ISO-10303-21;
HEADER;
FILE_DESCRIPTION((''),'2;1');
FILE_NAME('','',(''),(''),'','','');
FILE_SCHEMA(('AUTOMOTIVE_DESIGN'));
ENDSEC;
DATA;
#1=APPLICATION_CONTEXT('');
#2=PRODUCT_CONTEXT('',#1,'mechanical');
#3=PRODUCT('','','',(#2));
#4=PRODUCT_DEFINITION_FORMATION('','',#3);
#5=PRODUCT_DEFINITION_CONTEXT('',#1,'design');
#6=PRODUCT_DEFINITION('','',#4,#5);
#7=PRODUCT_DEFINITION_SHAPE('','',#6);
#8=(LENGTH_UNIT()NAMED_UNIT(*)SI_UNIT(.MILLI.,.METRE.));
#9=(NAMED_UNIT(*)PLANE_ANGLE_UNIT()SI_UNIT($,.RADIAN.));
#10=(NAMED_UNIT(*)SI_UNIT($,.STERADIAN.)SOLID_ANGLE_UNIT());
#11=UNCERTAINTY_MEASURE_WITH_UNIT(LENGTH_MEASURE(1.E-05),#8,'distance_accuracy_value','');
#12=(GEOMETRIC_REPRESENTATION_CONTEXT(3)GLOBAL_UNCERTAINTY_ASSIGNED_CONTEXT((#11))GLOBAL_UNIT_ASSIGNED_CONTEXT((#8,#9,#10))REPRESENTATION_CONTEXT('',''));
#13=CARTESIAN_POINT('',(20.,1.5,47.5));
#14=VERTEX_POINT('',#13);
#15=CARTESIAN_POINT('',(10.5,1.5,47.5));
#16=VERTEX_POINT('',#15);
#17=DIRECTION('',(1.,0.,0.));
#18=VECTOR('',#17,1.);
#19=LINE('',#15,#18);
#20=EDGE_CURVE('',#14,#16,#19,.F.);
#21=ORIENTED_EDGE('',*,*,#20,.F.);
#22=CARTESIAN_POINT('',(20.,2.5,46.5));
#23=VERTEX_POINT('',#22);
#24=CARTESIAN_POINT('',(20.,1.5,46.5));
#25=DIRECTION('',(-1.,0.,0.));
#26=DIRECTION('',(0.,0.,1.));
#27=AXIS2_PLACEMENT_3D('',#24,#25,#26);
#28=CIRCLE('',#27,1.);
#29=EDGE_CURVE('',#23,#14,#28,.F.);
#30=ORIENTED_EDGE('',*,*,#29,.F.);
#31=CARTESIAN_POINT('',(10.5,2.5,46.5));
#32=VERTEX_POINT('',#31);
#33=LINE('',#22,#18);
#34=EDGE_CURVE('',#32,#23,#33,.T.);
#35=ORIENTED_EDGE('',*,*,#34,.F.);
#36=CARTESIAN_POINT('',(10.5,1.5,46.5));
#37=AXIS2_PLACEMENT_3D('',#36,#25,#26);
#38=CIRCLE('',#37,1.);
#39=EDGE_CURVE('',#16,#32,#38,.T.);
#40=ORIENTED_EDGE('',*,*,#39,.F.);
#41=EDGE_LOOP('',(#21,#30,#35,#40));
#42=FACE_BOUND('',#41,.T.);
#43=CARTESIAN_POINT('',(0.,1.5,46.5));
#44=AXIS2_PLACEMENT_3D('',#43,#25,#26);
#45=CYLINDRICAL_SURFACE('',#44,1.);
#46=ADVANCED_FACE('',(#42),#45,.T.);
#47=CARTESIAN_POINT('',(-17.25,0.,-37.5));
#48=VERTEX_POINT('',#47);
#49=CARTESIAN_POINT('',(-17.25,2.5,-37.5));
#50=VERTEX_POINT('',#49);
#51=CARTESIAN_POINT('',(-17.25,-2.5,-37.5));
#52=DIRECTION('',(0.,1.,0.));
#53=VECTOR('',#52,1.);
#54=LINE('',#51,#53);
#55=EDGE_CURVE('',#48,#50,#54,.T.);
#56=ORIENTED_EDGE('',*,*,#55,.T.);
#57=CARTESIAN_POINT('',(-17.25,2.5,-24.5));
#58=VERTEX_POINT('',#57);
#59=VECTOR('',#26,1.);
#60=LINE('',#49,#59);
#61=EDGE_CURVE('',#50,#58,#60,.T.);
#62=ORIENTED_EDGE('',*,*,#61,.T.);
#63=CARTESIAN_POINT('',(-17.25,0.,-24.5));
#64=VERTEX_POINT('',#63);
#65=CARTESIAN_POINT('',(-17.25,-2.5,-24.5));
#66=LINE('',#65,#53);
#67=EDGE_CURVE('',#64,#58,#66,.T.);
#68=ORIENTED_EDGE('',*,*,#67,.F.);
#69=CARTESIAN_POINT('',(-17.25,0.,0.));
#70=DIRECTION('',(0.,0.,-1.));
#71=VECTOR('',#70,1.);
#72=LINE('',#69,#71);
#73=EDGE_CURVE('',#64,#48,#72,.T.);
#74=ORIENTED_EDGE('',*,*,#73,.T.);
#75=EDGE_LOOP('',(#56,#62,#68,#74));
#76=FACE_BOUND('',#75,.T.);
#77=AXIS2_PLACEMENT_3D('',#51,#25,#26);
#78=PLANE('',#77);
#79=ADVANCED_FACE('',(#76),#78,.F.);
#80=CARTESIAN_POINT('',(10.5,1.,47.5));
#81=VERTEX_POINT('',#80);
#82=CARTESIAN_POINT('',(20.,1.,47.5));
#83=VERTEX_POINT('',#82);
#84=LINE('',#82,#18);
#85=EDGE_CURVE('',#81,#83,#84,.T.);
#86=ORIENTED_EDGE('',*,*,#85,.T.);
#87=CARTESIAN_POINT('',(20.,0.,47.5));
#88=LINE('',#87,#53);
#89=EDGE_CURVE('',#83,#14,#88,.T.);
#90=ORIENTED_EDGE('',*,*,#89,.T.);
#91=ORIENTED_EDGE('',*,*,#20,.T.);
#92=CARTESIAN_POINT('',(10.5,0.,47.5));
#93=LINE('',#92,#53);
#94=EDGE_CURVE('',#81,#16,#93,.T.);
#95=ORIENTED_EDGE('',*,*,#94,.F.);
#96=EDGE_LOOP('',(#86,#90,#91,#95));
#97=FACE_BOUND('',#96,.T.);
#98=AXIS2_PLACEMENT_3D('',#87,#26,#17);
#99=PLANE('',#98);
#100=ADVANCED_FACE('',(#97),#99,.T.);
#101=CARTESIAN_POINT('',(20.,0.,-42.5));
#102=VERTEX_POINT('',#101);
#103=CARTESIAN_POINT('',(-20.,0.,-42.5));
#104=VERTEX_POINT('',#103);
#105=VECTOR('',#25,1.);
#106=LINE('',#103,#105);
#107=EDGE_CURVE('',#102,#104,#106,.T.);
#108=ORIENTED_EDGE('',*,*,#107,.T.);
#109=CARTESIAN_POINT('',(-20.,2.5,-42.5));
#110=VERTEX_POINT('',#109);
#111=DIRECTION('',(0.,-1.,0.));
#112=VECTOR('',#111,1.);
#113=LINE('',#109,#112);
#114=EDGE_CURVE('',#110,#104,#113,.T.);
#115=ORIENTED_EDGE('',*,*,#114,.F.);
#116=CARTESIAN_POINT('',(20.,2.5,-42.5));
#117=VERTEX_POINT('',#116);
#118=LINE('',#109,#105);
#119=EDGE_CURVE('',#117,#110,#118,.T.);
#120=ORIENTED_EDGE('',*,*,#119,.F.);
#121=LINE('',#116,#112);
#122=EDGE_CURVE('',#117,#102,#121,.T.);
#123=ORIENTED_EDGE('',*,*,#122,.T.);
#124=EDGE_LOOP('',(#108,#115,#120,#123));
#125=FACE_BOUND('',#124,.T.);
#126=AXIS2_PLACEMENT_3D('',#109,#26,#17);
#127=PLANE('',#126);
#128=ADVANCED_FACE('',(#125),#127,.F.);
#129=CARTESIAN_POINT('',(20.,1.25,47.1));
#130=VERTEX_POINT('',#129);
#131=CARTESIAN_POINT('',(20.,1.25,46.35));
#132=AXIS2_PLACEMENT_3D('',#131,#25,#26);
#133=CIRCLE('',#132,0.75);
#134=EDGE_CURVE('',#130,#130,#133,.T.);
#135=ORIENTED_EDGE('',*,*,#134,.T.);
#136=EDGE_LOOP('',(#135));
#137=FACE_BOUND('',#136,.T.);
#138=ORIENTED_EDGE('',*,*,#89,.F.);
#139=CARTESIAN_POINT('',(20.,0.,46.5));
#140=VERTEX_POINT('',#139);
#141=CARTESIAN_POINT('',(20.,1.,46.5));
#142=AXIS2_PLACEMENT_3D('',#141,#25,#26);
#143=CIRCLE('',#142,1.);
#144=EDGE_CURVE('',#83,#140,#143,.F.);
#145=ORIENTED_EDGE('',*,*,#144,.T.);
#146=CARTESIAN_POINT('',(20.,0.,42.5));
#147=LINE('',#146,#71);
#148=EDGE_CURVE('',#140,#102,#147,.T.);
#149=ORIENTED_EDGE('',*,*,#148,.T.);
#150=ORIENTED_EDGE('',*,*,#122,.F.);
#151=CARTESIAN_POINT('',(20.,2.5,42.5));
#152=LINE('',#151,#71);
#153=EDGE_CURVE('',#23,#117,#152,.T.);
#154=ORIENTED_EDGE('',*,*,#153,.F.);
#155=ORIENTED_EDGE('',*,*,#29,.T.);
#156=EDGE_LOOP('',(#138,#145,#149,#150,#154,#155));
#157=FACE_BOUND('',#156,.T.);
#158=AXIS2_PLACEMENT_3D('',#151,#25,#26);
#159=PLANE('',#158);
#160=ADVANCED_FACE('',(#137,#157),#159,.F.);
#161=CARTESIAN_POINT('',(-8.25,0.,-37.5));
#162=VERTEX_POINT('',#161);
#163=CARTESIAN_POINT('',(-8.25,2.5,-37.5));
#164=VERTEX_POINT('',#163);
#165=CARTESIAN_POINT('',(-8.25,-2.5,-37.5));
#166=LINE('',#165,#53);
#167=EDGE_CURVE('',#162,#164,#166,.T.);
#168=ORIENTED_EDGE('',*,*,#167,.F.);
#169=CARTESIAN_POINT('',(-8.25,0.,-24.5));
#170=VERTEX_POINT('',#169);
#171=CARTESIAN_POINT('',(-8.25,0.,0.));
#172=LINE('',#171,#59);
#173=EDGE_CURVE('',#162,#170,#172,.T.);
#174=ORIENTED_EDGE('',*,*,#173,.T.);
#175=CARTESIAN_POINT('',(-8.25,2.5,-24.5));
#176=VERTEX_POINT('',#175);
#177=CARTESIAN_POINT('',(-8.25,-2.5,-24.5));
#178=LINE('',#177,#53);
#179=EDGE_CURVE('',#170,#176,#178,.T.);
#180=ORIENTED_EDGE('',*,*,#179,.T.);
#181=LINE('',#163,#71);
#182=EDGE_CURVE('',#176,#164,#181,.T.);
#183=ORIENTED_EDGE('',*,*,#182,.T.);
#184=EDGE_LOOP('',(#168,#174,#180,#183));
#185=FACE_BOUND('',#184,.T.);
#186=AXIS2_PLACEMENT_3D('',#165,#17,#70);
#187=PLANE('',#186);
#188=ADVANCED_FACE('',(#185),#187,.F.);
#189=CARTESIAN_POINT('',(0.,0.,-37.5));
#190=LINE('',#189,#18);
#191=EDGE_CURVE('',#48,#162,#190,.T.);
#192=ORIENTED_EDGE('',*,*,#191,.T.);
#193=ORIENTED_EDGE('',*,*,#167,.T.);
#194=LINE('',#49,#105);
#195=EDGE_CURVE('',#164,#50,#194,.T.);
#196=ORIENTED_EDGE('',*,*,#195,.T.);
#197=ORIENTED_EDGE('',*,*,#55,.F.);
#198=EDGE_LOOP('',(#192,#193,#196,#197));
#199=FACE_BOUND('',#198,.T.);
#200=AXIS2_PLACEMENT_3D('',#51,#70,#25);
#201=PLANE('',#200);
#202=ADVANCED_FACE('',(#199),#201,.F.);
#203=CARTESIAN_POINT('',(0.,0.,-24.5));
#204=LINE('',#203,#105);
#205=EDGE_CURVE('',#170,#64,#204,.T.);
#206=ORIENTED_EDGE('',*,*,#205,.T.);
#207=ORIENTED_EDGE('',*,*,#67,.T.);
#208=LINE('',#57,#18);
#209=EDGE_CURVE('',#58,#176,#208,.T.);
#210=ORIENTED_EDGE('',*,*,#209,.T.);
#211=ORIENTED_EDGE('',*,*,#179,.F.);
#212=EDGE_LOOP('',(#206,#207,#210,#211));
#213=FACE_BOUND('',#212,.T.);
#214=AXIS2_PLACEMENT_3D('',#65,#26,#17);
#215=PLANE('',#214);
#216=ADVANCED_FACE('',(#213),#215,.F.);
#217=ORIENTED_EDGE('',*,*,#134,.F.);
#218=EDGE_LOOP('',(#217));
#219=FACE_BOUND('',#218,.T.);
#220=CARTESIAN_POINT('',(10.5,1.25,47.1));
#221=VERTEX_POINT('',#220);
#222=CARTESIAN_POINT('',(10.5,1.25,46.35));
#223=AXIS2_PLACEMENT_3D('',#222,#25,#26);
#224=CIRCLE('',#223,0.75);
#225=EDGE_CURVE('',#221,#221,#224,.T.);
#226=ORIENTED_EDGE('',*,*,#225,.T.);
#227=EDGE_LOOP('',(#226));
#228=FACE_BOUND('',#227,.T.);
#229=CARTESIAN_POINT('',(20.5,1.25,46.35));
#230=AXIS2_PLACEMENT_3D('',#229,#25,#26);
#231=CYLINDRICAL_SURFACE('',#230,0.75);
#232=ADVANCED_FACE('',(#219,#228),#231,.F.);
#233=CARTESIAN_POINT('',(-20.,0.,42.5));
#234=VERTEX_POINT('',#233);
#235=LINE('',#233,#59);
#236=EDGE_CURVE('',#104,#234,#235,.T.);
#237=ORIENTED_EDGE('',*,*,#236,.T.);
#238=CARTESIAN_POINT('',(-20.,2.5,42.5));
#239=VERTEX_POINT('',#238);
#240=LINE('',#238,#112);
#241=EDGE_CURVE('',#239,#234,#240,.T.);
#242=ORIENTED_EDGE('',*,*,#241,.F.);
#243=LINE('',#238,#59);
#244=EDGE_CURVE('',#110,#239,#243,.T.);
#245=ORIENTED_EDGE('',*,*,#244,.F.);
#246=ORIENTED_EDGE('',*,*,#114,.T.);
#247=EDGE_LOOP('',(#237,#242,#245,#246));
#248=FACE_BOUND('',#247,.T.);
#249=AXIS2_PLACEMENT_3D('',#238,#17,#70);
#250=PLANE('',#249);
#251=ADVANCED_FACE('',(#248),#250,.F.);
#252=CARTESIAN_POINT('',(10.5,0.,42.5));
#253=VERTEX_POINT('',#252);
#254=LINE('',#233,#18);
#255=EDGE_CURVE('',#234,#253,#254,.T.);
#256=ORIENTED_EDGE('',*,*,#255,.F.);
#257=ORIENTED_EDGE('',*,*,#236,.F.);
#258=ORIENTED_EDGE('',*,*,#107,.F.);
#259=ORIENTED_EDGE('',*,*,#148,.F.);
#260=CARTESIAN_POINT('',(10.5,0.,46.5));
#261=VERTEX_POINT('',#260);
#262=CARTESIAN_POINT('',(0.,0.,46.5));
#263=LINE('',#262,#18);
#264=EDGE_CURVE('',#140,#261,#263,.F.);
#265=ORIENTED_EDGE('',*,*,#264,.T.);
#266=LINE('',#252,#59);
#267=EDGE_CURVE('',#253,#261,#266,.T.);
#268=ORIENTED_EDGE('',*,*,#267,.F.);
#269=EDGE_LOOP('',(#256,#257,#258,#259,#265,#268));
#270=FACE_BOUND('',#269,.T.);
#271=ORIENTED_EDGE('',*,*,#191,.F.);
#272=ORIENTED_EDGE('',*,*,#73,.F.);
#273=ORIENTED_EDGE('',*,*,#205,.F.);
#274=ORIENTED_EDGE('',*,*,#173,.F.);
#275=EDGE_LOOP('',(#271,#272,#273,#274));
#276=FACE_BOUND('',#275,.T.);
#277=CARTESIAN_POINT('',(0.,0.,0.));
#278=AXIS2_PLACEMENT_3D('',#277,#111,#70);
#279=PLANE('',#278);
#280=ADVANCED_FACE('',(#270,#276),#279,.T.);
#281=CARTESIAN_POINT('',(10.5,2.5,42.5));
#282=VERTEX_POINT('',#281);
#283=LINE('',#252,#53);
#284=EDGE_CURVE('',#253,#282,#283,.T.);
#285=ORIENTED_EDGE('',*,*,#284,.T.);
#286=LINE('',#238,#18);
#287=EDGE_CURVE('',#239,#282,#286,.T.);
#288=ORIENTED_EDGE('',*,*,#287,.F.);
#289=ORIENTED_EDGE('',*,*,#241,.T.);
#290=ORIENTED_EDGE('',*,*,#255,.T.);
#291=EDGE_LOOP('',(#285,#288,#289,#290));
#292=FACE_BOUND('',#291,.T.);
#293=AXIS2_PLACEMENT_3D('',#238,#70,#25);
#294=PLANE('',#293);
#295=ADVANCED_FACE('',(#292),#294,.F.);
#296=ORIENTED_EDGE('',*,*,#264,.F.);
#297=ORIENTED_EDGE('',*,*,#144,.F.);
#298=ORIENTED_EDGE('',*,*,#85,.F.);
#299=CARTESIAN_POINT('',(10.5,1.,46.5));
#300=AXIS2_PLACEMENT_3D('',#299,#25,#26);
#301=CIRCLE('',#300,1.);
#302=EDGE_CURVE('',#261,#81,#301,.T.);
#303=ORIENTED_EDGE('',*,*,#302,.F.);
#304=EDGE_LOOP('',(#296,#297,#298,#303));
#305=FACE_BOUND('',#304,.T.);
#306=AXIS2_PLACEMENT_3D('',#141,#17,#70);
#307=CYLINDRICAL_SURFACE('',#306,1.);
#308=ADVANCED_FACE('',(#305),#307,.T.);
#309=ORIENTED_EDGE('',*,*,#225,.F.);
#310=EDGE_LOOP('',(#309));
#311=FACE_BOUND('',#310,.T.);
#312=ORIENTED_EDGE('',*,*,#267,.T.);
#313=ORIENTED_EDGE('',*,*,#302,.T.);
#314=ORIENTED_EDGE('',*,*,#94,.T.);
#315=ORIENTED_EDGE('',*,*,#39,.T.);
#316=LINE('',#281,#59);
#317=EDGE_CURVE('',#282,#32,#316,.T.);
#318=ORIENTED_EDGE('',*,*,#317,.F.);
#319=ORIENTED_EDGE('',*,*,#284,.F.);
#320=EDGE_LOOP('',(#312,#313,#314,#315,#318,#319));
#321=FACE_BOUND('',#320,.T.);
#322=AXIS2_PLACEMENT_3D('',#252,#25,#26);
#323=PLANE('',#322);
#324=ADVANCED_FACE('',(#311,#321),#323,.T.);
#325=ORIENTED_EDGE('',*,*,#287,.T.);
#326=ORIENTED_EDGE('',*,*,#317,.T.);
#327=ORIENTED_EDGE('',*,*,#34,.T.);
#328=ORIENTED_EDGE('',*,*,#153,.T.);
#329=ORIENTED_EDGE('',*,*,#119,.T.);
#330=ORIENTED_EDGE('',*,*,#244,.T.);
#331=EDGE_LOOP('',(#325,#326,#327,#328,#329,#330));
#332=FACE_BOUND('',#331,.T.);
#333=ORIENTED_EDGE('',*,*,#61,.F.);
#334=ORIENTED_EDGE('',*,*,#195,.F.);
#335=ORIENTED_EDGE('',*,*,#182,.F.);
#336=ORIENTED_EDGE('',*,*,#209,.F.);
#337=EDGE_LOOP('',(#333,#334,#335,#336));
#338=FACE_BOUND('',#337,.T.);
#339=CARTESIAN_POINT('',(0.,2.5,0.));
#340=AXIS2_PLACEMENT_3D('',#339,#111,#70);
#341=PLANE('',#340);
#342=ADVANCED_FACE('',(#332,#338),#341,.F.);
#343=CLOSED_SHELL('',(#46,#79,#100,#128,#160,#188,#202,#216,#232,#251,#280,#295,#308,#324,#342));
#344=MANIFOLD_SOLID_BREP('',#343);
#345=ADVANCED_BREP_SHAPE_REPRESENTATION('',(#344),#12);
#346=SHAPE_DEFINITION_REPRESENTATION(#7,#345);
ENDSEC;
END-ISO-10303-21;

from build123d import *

# Parameters (mm, degrees)
SKETCH4_W           = 40
SKETCH4_H           = 85
BOSS_EXTRUDE1_DEPTH = 2.5
SKETCH5_W           = 9.5
SKETCH5_H           = 5
BOSS_EXTRUDE2_DEPTH = 2.5
SKETCH12_W          = 9
SKETCH12_H          = 13
CUT_EXTRUDE1_DEPTH  = 5
FILLET4_R           = 1
FILLET5_R           = 1
SKETCH13_R          = 0.75
CUT_EXTRUDE2_DEPTH  = 10


with BuildPart() as part:
    # Sketch4 → Boss-Extrude1 (new body)
    with BuildSketch(Plane(origin=(0, 0, 0), x_dir=(1, 0, 0), z_dir=(0, 1, 0))):
        Rectangle(SKETCH4_W, SKETCH4_H)
    extrude(amount=BOSS_EXTRUDE1_DEPTH)

    # Sketch5 → Boss-Extrude2 (add)
    with BuildSketch(Plane(origin=(0, 2.5, 0), x_dir=(1, 0, 0), z_dir=(0, 1, 0))):
        with Locations((15.25, -45)):
            Rectangle(SKETCH5_W, SKETCH5_H)
    extrude(amount=-BOSS_EXTRUDE2_DEPTH)

    # Sketch12 → Cut-Extrude1 (cut)
    with BuildSketch(Plane(origin=(0, 2.5, 0), x_dir=(1, 0, 0), z_dir=(0, 1, 0))):
        with Locations((-12.75, 31)):
            Rectangle(SKETCH12_W, SKETCH12_H)
    extrude(amount=-CUT_EXTRUDE1_DEPTH, mode=Mode.SUBTRACT)

    # Fillet4
    fillet4_edges = [part.edges().sort_by_distance(p)[0] for p in [
        (15.25, 2.5, 47.5),
    ]]
    fillet(fillet4_edges, radius=FILLET4_R)

    # Fillet5
    fillet5_edges = [part.edges().sort_by_distance(p)[0] for p in [
        (15.25, 0, 47.5),
    ]]
    fillet(fillet5_edges, radius=FILLET5_R)

    # Sketch13 → Cut-Extrude2 (cut)
    with BuildSketch(Plane.ZY.offset(-10.5)):
        with Locations((46.35, 1.25)):
            Circle(SKETCH13_R)
    extrude(amount=-CUT_EXTRUDE2_DEPTH, mode=Mode.SUBTRACT)


solid = part.part
